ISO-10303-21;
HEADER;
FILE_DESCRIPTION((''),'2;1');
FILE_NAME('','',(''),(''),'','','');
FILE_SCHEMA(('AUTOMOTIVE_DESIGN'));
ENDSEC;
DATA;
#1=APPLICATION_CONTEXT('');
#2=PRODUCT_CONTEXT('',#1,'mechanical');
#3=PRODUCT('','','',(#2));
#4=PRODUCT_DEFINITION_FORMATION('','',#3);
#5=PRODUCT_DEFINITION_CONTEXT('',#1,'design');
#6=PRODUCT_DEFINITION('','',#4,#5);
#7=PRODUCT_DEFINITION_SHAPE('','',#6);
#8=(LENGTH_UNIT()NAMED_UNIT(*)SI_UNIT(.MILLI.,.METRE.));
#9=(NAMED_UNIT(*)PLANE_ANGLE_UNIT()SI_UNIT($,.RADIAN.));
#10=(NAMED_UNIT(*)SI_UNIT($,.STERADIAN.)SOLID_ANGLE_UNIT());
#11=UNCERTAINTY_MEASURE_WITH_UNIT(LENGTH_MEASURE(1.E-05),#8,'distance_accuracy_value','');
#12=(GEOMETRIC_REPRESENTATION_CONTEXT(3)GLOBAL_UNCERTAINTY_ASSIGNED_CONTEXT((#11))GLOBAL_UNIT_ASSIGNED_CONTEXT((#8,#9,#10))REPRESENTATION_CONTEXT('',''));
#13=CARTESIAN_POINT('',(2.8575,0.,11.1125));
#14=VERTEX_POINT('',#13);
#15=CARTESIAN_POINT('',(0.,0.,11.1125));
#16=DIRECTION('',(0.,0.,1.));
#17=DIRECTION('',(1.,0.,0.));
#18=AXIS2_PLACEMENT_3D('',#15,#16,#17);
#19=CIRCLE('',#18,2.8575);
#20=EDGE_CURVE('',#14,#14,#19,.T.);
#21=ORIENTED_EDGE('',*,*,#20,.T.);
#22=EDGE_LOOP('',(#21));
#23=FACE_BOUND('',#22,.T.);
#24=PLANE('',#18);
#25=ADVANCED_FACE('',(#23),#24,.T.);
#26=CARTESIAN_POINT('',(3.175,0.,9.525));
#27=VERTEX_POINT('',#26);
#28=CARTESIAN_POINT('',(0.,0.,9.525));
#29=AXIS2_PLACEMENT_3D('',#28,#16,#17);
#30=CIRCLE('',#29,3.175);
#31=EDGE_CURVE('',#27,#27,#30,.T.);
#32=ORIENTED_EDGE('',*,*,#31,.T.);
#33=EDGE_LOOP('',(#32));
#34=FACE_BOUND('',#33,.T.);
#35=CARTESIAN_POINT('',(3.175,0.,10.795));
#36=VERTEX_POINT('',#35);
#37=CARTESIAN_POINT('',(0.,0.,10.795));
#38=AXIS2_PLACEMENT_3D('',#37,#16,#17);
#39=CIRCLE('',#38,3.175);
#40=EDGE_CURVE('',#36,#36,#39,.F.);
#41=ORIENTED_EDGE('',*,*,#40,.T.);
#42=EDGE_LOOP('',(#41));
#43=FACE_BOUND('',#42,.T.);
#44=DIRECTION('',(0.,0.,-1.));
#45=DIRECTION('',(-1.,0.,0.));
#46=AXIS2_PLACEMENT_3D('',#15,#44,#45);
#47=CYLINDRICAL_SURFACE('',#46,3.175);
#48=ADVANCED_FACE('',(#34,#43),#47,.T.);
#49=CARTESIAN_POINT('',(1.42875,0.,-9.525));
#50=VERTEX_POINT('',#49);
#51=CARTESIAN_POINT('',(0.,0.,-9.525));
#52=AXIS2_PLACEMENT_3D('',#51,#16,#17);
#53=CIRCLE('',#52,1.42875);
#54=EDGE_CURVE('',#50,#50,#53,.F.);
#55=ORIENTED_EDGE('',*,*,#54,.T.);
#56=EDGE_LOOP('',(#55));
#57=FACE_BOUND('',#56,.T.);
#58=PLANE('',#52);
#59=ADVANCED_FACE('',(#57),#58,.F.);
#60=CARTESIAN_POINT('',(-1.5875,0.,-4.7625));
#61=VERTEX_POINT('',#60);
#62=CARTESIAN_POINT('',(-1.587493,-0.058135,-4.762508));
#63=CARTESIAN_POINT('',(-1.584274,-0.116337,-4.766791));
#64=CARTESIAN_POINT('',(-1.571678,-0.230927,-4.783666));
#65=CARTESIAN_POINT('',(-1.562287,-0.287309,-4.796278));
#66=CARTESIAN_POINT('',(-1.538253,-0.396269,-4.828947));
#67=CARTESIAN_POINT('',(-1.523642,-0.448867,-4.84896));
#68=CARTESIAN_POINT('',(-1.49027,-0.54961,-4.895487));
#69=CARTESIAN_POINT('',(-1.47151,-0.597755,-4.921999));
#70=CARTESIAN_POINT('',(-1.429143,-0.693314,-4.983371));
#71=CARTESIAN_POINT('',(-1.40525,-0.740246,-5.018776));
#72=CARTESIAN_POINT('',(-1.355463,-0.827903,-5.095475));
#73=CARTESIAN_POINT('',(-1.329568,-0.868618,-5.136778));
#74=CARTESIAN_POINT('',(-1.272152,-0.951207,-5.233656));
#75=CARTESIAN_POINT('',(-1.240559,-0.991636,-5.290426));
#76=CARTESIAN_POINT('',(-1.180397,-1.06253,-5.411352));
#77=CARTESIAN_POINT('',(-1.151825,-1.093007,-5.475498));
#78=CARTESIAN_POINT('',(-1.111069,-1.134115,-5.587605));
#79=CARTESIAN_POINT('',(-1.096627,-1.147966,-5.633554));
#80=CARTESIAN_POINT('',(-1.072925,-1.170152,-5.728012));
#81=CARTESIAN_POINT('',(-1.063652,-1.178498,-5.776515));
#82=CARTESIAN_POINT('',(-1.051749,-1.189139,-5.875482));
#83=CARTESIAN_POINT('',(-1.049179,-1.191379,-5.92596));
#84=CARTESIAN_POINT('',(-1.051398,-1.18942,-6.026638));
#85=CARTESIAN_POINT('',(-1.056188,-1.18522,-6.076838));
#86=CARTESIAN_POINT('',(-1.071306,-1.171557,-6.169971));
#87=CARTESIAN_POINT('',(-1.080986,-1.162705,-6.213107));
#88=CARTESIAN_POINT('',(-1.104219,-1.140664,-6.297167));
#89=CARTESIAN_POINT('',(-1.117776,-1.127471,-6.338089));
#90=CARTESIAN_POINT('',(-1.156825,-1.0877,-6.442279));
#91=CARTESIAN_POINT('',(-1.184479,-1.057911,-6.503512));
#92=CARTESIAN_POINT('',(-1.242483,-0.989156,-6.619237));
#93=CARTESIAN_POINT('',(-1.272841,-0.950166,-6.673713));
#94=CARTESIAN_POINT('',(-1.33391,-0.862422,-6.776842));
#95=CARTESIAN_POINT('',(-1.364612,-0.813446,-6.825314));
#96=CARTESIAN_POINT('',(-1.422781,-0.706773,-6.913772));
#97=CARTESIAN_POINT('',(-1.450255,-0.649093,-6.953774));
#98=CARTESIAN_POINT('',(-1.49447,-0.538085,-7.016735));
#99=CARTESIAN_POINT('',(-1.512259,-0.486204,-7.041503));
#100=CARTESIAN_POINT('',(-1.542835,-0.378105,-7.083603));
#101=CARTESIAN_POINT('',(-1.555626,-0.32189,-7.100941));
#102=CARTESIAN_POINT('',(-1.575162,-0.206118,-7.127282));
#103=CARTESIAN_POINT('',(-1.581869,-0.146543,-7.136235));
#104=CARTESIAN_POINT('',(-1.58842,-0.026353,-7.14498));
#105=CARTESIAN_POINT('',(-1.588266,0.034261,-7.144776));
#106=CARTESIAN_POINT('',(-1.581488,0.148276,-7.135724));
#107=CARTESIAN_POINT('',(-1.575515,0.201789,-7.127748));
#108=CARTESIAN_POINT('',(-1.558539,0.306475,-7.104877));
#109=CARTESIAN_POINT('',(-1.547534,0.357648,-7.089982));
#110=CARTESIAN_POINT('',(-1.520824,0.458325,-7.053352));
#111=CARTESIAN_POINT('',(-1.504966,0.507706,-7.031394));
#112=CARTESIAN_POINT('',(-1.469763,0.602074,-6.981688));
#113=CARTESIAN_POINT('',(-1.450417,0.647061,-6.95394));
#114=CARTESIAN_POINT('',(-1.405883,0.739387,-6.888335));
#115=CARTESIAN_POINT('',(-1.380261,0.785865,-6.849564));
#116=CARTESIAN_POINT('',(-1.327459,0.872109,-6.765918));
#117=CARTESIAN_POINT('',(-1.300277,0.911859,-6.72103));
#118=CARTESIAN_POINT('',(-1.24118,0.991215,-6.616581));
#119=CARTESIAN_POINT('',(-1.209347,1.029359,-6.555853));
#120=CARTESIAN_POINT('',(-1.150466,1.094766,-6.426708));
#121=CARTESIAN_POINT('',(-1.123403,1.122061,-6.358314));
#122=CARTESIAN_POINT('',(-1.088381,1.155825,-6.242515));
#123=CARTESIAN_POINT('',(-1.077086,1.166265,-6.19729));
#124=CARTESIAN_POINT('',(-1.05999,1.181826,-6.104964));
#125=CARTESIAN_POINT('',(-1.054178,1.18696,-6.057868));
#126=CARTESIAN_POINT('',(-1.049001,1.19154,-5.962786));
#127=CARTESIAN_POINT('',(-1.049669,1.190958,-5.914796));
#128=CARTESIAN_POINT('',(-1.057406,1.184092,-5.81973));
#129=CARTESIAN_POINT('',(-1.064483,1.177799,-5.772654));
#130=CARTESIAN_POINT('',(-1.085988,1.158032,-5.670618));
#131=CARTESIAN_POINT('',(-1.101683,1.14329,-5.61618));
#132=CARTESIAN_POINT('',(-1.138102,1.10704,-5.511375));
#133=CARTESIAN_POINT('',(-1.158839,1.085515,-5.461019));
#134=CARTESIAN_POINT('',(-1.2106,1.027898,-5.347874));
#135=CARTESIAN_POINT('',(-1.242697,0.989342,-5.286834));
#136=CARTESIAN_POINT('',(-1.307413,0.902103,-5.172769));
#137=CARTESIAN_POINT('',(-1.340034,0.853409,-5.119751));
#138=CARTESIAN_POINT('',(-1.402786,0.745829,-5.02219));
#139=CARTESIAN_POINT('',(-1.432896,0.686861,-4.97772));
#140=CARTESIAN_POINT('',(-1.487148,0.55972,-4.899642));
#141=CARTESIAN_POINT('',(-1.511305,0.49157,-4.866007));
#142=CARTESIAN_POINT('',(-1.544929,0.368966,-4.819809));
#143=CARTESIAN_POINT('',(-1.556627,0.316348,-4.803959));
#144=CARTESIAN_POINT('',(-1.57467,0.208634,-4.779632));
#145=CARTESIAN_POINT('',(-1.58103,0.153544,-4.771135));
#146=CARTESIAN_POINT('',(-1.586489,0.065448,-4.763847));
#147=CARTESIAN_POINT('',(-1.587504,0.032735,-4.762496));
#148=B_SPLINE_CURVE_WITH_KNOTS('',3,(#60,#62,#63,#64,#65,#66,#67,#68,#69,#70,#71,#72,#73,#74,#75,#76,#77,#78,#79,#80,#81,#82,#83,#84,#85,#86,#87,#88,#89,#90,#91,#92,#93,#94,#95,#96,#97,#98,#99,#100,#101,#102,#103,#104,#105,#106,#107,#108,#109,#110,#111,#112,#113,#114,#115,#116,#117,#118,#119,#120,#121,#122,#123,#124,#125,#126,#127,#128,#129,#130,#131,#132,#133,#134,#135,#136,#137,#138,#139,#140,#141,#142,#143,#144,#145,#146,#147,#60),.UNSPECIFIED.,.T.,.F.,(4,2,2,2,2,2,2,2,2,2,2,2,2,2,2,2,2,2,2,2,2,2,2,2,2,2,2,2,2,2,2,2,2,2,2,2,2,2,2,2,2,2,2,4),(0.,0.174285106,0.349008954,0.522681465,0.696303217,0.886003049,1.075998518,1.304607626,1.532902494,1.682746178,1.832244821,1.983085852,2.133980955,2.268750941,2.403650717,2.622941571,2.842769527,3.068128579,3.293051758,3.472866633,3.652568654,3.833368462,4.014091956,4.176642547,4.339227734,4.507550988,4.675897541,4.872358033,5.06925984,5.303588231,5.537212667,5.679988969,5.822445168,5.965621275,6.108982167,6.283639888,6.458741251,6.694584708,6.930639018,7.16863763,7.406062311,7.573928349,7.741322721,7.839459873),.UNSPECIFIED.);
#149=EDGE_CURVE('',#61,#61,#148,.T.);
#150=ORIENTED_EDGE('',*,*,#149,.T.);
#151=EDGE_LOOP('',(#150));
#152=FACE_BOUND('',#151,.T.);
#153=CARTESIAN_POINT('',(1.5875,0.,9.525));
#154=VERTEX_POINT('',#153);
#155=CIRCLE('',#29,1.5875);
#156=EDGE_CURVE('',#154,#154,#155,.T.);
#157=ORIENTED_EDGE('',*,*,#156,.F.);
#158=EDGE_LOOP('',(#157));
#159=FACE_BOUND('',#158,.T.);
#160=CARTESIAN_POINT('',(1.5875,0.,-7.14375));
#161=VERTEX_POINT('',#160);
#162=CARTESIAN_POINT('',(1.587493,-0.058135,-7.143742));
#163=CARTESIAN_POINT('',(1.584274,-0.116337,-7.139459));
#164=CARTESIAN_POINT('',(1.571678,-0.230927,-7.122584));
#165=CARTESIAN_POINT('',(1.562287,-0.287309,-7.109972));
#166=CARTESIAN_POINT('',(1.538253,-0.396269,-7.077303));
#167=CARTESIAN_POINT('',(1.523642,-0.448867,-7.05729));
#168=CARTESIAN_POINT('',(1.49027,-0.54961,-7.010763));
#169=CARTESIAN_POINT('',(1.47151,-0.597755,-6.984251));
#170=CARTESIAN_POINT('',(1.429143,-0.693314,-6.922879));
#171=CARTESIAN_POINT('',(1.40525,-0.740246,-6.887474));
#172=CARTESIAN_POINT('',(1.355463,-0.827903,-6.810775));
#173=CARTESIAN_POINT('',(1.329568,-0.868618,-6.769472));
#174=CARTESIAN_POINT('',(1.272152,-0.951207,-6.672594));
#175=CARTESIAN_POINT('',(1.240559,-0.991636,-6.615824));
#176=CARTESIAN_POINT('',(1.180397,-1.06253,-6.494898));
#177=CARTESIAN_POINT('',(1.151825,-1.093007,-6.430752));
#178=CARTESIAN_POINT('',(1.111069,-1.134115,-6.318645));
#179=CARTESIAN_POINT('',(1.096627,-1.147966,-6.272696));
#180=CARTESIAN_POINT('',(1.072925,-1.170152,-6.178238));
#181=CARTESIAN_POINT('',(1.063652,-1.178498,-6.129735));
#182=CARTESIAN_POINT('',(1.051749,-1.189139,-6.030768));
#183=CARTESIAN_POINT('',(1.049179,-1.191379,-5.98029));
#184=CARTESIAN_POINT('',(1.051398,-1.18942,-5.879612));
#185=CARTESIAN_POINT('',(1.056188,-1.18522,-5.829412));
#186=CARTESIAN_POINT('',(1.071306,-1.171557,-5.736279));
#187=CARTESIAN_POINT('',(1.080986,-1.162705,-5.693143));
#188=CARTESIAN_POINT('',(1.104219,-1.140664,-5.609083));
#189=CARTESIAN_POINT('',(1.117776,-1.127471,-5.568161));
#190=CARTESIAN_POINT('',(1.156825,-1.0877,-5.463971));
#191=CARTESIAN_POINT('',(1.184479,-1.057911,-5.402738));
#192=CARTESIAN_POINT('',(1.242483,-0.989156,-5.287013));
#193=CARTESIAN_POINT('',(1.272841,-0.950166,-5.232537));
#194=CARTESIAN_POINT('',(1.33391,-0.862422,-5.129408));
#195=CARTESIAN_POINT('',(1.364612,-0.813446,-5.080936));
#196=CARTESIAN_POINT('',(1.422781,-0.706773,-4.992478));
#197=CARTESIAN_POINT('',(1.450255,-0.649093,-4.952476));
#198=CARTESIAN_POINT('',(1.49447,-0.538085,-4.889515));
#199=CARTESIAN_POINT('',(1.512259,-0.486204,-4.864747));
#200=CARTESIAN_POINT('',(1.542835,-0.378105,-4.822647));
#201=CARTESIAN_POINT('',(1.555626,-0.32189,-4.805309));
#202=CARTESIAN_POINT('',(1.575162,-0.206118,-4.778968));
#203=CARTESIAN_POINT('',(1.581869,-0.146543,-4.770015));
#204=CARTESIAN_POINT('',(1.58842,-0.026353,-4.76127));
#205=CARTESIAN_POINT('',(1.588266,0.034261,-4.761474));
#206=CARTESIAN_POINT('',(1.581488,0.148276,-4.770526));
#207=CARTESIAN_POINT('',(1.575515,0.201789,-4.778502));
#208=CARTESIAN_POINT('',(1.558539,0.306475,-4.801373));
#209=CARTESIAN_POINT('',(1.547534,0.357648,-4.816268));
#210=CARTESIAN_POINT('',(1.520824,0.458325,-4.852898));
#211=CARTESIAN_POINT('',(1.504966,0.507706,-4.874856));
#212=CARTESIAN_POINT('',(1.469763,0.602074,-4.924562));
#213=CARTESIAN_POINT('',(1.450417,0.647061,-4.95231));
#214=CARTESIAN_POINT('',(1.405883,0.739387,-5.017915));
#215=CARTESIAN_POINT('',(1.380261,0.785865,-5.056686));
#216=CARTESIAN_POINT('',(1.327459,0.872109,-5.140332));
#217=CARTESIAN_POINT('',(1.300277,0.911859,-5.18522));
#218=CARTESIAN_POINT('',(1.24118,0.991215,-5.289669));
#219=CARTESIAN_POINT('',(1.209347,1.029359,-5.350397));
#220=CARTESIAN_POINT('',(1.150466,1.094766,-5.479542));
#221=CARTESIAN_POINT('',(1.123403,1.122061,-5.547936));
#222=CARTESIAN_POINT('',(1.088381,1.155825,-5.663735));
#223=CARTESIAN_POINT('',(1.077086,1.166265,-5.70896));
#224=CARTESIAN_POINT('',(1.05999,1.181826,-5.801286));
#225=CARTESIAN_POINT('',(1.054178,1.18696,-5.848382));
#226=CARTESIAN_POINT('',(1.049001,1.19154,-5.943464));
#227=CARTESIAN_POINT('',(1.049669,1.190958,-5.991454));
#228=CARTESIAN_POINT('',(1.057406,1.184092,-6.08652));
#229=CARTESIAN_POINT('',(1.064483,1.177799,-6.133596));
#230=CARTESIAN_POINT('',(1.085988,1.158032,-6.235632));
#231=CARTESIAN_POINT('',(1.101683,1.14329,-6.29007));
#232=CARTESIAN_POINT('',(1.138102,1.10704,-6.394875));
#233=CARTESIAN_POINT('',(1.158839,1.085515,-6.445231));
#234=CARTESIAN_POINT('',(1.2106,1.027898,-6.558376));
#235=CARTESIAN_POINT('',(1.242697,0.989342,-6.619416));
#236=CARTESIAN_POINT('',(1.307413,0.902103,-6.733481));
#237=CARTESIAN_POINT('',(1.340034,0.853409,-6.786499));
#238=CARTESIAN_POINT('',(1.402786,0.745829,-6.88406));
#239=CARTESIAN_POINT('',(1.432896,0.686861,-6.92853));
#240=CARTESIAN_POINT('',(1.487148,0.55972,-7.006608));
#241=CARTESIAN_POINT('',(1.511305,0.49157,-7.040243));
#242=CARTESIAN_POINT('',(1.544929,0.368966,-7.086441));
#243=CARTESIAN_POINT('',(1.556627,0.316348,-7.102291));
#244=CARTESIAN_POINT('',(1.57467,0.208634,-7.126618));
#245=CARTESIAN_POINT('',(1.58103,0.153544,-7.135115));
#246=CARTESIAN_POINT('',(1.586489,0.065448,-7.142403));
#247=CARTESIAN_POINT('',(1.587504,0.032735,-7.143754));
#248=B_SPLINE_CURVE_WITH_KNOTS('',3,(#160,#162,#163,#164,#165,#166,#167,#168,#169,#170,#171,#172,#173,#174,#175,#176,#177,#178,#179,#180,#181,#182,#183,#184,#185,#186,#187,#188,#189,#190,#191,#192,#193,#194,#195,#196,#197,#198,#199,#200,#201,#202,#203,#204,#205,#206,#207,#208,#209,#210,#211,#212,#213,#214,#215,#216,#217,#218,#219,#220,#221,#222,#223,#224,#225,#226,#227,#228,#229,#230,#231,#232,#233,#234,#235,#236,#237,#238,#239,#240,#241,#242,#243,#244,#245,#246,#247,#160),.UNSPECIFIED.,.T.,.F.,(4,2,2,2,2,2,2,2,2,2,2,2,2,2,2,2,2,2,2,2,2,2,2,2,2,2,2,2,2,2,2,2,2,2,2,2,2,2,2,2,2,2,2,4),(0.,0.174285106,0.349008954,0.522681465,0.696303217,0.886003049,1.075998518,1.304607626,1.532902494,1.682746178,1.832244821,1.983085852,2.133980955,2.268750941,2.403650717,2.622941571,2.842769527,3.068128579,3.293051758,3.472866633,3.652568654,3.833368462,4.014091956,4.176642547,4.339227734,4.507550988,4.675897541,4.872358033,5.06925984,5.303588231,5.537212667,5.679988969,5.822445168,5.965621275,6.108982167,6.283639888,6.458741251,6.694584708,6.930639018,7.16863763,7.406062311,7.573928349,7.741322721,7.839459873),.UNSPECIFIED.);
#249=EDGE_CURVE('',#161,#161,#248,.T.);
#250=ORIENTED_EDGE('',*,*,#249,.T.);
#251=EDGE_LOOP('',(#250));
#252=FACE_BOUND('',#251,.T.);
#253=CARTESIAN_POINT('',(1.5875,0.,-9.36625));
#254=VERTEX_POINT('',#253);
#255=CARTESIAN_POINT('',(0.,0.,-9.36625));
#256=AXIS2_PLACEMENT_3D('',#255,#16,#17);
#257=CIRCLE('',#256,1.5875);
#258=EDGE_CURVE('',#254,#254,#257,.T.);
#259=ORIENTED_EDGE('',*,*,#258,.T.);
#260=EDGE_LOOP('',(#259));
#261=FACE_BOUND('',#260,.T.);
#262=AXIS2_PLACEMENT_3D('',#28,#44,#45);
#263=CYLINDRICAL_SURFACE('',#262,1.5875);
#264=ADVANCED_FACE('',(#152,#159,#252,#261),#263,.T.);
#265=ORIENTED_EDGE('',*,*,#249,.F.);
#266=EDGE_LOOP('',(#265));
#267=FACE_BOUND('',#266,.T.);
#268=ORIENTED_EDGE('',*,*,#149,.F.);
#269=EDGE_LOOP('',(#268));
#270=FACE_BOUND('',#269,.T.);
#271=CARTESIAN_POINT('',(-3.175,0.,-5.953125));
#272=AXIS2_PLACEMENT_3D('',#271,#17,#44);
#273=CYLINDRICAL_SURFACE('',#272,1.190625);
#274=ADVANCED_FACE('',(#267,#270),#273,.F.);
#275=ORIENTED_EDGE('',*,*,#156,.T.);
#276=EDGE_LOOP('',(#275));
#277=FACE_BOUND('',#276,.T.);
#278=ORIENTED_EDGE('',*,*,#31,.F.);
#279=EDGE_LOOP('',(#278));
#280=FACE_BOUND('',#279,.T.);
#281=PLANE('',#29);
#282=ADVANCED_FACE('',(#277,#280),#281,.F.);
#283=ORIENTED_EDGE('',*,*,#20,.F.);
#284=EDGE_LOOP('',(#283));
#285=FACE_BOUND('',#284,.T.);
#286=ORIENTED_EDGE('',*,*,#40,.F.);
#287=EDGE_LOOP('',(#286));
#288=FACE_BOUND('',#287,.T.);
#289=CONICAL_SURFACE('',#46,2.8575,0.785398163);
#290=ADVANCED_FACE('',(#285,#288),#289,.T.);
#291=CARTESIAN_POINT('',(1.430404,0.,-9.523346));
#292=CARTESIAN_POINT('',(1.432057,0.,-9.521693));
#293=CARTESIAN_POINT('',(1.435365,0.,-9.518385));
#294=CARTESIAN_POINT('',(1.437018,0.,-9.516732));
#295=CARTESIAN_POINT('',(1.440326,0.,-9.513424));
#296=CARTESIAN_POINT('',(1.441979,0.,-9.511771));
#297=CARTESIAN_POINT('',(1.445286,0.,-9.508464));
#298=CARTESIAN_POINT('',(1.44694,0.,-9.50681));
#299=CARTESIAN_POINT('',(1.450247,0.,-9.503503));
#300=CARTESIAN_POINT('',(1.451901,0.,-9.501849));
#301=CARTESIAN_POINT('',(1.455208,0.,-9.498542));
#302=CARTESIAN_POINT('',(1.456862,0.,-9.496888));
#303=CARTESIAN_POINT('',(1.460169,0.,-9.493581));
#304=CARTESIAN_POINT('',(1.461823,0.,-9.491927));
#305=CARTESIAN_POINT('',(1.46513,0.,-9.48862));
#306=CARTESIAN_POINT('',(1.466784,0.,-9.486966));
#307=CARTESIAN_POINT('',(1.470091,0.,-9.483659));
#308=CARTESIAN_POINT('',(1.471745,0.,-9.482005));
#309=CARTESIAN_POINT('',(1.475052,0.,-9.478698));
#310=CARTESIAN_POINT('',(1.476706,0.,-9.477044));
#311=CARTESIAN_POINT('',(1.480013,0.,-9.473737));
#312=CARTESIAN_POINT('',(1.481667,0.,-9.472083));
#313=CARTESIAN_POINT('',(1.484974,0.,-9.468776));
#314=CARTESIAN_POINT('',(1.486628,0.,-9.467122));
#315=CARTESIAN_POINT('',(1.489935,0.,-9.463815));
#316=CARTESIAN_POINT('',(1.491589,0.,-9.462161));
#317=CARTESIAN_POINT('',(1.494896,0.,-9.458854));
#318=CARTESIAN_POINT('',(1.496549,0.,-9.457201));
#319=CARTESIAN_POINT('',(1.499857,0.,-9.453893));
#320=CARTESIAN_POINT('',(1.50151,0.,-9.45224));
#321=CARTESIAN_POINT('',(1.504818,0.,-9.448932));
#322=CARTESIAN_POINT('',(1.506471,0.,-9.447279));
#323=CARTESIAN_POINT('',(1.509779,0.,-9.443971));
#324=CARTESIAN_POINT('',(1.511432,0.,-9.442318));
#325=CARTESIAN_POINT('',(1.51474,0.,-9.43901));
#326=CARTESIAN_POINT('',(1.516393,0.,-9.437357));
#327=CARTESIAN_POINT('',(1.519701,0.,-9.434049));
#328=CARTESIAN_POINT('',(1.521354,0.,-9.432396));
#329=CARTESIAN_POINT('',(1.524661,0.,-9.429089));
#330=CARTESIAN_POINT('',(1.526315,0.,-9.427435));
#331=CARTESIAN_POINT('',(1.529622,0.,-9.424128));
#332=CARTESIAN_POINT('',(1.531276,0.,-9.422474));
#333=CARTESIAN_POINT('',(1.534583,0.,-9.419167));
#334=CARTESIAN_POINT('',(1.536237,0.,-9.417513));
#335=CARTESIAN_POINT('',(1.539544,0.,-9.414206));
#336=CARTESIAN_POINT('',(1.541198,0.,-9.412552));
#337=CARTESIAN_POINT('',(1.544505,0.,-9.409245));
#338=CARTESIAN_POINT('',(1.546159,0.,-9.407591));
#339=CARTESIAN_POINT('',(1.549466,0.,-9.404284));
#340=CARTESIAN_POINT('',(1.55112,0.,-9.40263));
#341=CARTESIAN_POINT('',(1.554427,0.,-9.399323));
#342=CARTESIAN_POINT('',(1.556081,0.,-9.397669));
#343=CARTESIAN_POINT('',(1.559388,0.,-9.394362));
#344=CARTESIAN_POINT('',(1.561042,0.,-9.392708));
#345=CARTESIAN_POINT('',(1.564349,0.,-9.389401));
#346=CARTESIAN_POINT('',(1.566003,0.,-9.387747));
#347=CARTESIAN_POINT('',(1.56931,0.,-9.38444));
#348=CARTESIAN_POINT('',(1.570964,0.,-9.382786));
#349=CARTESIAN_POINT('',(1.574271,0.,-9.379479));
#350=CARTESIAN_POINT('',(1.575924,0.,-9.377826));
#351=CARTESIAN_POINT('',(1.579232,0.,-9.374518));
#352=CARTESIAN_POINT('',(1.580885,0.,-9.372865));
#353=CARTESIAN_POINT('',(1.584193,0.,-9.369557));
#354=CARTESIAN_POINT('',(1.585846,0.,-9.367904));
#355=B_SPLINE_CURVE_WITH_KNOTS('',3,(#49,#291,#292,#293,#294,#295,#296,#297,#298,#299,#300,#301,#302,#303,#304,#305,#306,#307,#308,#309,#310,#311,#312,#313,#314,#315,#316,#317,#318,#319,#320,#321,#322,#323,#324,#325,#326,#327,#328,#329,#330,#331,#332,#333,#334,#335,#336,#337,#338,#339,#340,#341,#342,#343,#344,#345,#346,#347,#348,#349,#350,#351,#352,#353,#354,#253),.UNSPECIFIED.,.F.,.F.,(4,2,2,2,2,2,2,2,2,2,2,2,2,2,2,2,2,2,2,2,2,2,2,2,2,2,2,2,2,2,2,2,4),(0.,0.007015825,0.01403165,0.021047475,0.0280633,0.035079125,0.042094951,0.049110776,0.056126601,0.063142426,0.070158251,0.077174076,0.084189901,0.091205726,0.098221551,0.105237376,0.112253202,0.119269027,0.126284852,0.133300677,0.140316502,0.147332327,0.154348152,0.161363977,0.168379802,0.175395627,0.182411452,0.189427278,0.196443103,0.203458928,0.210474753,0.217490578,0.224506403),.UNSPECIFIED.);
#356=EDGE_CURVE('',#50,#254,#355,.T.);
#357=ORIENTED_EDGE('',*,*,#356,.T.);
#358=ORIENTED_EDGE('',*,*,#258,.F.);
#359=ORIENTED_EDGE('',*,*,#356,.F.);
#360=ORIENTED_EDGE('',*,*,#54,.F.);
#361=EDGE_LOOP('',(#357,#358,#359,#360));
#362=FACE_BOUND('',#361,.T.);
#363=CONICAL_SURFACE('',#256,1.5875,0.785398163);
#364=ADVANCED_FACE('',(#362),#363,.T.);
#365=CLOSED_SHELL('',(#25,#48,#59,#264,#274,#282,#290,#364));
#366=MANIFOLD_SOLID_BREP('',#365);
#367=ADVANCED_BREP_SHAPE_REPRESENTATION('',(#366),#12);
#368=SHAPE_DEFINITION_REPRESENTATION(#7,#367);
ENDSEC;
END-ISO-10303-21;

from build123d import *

# Parameters (mm, degrees)
SKETCH1_R           = 1.5875
EXTRUDE1_DEPTH      = 9.525
SKETCH2_R           = 3.175
EXTRUDE2_DEPTH      = 1.5875
CHAMFER1_SIZE       = 0.3175
EXTRUDE3_DEPTH      = 12.985362166
EXTRUDE3_DEPTH_BACK = 12.985362166
SKETCH3_R           = 1.190625
CHAMFER2_SIZE       = 0.15875


with BuildPart() as part:
    # Sketch1 → Extrude1 (new, symmetric)
    with BuildSketch(Plane.XY):
        with Locations(Location((0, 0, 0), (0, 0, 180))):
            Circle(SKETCH1_R)
    extrude(amount=EXTRUDE1_DEPTH, both=True)

    # Sketch2 → Extrude2 (add)
    with BuildSketch(Plane.XY.offset(9.525)):
        Circle(SKETCH2_R)
    extrude(amount=EXTRUDE2_DEPTH)

    # Chamfer1
    chamfer1_edges = [part.edges().sort_by_distance(p)[0] for p in [
        (-3.175, 0, 11.1125),
    ]]
    chamfer(chamfer1_edges, length=CHAMFER1_SIZE)

    # Sketch3 → Extrude3 (cut, two sides: drawn at the far end of the back side and taken through both)
    with BuildSketch(Plane(origin=(0, 0, 0), x_dir=(0, 0, -1), z_dir=(1, 0, 0)).offset(-EXTRUDE3_DEPTH_BACK)):
        with Locations(Location((5.953125, 0, 0), (0, 0, 180))):
            Circle(SKETCH3_R)
    extrude(amount=EXTRUDE3_DEPTH + EXTRUDE3_DEPTH_BACK, mode=Mode.SUBTRACT)

    # Chamfer2
    chamfer2_edges = [part.edges().sort_by_distance(p)[0] for p in [
        (1.5875, 0, -9.525),
    ]]
    chamfer(chamfer2_edges, length=CHAMFER2_SIZE)


solid = part.part
